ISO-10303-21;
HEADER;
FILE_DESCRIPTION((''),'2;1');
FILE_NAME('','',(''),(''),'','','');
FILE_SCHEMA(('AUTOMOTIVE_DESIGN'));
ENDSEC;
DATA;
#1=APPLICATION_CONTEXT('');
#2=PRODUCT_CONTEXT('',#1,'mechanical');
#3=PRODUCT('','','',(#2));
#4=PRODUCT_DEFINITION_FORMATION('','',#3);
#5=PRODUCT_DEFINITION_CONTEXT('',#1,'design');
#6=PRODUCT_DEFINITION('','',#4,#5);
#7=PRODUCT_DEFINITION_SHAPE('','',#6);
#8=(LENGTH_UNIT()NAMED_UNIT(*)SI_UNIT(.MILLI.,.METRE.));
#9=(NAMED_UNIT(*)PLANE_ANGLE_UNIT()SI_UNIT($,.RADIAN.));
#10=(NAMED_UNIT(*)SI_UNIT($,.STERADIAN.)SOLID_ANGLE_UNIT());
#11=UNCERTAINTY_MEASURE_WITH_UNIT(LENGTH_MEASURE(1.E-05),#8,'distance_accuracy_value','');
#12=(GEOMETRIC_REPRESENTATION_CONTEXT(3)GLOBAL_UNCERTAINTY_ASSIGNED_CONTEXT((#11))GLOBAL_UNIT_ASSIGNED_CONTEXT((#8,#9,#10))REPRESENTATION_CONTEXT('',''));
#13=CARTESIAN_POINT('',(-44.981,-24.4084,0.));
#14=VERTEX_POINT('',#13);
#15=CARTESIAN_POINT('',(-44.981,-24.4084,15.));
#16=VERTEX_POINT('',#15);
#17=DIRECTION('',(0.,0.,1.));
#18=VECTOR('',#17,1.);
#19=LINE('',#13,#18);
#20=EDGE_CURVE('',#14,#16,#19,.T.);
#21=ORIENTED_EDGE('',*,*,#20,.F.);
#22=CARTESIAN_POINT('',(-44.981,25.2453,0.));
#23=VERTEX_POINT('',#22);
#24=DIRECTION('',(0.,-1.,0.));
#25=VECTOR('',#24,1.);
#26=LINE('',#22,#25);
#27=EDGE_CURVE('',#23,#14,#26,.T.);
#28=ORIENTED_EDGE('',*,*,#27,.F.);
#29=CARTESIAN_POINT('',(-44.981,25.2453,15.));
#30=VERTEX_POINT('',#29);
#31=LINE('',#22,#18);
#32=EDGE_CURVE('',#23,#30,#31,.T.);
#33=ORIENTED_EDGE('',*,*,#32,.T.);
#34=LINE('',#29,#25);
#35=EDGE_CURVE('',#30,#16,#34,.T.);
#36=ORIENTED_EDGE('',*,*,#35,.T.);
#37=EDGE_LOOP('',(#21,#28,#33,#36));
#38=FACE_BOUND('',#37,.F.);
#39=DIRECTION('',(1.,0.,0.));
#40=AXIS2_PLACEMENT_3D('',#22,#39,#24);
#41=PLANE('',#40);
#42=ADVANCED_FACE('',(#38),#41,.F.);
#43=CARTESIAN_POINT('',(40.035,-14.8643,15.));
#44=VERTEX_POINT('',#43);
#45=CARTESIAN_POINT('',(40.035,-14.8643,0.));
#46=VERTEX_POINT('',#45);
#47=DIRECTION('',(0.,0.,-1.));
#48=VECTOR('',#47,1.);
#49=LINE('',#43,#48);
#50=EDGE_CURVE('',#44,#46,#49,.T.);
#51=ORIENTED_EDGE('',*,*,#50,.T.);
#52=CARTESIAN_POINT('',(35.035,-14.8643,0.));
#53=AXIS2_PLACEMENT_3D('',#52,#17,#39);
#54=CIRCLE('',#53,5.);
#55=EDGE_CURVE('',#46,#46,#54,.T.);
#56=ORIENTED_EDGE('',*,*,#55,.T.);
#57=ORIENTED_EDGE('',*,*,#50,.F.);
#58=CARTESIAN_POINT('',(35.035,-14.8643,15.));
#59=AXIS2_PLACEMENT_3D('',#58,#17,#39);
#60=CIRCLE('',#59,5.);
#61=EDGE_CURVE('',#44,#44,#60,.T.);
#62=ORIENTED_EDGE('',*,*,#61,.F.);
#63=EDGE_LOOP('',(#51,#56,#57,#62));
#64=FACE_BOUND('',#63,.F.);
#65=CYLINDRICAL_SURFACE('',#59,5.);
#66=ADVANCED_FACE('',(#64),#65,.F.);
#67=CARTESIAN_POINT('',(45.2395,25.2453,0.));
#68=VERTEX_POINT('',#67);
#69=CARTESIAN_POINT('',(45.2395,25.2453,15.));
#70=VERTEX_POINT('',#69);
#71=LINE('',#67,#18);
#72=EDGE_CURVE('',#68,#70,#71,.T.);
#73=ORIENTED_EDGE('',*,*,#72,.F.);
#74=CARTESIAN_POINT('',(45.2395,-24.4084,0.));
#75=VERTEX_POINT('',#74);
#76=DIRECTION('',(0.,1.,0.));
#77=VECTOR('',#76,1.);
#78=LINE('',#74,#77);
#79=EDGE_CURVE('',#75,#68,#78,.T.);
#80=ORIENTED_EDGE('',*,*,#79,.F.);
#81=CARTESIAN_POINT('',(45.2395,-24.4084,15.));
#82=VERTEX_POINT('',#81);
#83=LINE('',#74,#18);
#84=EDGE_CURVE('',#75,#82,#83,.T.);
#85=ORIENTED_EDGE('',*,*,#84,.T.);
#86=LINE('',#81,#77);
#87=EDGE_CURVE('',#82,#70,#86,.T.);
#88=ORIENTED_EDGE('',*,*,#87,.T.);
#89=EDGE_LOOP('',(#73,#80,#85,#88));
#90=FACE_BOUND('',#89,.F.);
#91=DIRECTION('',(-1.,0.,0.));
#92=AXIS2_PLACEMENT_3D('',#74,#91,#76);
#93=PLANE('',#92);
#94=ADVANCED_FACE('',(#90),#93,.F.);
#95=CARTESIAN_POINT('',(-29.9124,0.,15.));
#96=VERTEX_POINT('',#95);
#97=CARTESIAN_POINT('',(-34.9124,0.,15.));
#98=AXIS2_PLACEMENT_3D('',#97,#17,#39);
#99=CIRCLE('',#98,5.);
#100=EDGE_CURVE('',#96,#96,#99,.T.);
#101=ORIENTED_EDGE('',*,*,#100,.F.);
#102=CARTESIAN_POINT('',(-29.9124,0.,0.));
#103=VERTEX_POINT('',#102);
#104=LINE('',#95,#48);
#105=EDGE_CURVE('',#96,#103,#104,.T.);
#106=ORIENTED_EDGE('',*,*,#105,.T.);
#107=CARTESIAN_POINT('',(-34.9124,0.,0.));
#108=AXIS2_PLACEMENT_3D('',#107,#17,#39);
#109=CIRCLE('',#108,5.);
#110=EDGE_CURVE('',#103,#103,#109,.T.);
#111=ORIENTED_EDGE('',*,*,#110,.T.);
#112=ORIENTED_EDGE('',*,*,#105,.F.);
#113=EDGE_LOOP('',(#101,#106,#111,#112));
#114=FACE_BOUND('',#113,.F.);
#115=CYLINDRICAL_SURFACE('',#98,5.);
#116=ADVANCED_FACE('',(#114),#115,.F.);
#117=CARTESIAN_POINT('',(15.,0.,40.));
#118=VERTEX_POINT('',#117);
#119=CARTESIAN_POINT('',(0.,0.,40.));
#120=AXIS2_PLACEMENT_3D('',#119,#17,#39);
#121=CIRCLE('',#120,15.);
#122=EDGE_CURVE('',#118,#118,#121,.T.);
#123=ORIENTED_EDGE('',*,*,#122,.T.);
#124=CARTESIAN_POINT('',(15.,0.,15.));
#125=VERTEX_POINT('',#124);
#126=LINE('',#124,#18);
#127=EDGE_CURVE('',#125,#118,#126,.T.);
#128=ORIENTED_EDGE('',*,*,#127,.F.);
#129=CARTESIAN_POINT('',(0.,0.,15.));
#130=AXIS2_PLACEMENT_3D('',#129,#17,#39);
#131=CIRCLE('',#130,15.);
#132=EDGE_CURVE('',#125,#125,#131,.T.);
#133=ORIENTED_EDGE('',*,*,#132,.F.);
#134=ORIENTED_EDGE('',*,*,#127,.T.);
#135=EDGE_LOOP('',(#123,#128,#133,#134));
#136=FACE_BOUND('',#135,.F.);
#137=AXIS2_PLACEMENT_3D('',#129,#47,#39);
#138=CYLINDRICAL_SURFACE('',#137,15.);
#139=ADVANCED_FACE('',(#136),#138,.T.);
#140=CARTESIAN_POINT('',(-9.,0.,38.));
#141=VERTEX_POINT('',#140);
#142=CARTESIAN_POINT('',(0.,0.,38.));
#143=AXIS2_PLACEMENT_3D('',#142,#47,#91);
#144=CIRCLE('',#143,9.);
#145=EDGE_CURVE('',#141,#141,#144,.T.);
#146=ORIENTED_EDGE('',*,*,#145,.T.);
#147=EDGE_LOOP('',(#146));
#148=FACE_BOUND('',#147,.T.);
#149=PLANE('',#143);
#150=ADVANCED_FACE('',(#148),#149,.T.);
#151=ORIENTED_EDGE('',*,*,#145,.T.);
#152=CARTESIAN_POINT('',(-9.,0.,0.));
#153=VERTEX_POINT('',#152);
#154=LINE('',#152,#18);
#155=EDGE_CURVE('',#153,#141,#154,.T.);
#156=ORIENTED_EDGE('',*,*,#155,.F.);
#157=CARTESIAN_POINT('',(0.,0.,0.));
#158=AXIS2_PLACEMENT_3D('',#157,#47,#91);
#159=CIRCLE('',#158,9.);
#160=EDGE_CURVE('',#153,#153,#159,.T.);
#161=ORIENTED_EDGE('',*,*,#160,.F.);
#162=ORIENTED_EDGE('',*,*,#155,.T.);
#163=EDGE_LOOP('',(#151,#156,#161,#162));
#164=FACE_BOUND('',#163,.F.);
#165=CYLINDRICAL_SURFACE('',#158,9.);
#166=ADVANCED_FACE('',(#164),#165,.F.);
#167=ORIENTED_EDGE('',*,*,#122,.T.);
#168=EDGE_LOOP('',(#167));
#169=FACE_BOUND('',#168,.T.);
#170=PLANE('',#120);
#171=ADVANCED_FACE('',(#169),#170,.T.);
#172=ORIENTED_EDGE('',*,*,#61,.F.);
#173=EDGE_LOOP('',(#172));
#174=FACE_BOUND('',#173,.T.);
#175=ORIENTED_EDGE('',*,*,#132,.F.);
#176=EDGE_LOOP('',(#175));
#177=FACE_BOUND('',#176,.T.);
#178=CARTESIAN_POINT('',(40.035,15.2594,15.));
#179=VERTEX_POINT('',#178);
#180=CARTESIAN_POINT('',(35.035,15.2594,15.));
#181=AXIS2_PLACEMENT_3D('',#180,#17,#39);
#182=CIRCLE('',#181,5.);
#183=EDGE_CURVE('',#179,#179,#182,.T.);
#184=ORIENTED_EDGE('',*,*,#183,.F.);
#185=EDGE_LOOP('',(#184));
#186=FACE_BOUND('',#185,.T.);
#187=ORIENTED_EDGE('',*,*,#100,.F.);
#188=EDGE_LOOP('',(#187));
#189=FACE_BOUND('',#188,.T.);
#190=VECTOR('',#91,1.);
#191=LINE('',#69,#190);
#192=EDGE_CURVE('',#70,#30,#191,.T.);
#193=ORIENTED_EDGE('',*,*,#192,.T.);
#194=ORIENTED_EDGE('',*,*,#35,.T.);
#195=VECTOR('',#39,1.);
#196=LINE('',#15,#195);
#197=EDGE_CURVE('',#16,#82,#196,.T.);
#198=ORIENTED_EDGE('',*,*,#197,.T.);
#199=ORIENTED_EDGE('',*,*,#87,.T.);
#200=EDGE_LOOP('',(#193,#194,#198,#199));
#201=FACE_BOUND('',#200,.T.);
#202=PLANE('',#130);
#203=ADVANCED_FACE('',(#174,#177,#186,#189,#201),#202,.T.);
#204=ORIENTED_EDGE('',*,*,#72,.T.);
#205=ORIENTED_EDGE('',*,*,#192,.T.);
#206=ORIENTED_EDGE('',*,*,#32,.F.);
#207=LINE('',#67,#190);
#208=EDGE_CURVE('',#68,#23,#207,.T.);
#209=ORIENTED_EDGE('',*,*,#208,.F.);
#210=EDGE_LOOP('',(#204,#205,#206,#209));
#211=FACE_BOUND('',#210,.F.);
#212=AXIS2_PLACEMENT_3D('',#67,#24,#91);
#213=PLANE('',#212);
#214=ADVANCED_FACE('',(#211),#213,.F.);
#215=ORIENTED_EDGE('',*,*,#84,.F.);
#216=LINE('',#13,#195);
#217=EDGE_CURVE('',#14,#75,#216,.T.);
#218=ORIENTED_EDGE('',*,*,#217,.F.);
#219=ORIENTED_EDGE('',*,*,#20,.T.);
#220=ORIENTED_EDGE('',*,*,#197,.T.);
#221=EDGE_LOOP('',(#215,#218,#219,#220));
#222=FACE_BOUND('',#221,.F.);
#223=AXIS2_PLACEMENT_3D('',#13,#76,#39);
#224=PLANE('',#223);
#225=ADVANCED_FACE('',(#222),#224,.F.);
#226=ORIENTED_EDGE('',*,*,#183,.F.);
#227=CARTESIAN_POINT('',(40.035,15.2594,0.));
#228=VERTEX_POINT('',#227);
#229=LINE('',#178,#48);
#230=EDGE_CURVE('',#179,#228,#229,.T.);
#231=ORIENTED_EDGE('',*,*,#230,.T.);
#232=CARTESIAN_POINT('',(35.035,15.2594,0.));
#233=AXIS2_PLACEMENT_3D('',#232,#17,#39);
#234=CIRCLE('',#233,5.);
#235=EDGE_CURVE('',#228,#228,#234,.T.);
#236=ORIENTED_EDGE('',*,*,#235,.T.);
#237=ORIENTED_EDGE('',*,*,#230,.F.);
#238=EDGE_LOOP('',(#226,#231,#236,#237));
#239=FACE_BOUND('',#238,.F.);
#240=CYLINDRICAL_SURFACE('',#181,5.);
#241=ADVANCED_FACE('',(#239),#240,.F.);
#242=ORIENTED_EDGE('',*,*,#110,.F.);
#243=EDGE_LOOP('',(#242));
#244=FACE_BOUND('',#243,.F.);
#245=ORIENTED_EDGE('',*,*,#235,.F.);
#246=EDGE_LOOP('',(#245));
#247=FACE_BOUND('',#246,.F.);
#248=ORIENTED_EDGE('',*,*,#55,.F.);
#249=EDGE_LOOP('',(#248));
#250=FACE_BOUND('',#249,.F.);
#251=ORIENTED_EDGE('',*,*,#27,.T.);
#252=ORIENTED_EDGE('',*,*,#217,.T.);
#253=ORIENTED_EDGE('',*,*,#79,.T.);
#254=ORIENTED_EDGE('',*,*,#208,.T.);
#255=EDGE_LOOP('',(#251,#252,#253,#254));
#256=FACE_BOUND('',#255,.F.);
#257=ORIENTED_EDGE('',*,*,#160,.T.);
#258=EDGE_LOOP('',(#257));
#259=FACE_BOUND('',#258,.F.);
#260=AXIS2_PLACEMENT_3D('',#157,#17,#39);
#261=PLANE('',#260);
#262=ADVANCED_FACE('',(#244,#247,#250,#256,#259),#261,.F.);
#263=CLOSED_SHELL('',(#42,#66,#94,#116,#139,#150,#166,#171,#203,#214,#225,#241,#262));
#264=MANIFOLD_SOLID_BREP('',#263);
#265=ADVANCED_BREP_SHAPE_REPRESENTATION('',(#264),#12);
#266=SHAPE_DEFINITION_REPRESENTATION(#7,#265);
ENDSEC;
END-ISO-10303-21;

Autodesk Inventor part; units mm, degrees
ref_plane "YZ Plane" through (0, 0, 0) normal (1, 0, 0) x (0, 1, 0)
ref_plane "XZ Plane" through (0, 0, 0) normal (0, 1, 0) x (-1, 0, 0)
ref_plane "XY Plane" through (0, 0, 0) normal (0, 0, 1) x (1, 0, 0)
sketch "Эскиз4" plane through (0, 0, 0) normal (0, 0, 1) x (1, 0, 0)
  line L0 (45.2395, 25.2453) -> (-44.981, 25.2453)
  line L1 (-44.981, 25.2453) -> (-44.981, -24.4084)
  line L2 (-44.981, -24.4084) -> (45.2395, -24.4084)
  line L3 (45.2395, -24.4084) -> (45.2395, 25.2453)
  point P0 (0, 0)
extrude "Прямоугольник_" add sketch "Эскиз4" along normal blind 15
sketch "Прямоугольник" plane through (0, 0, 0) normal (0, 0, 1) x (1, 0, 0)
  line L0 (-77.4921, 158.0418) -> (133.4103, 158.0418) construction
  line L1 (133.4103, 158.0418) -> (133.4103, -71.9132) construction
  line L2 (133.4103, -71.9132) -> (-77.4921, -71.9132) construction
  line L3 (-77.4921, -71.9132) -> (-77.4921, 158.0418) construction
  line L4 (44.9907, 25.2614) -> (-45.0093, 25.2614)
  line L5 (-45.0093, 25.2614) -> (-45.0093, -24.7386)
  line L6 (-45.0093, -24.7386) -> (44.9907, -24.7386)
  line L7 (44.9907, -24.7386) -> (44.9907, 25.2614)
  point P0 (0, 0)
  dimension "d17" = 90
  dimension "d20" = 50
sketch "Три отверстия по краям" plane through (0, 0, 15) normal (0, 0, 1) x (1, 0, 0)
  circle A0 centre (-34.9124, 0) radius 5
  circle A1 centre (35.035, 15.2594) radius 5
  circle A2 centre (35.035, -14.8643) radius 5
  point P0 (0, 0)
  dimension "d12" = 10
  dimension "d13" = 10
  dimension "d14" = 10
extrude "3 отверстия по краям" cut sketch "Три отверстия по краям" against normal blind 800
sketch "Возвышенность по центру" plane through (0, 0, 15) normal (0, 0, 1) x (1, 0, 0)
  circle A0 centre (0, 0) radius 15
  dimension "d21" = 30
extrude "Возвышенность" add sketch "Возвышенность по центру" along normal blind 25
sketch "Эскиз7" plane through (0, 0, 0) normal (0, 0, -1) x (-1, 0, 0)
  circle A0 centre (0, 0) radius 9
  dimension "d24" = 18
extrude "Внутренняя часть внутри возв" cut sketch "Эскиз7" against normal blind 38
properties part number "Основание БЕЗ опор по бокам"
